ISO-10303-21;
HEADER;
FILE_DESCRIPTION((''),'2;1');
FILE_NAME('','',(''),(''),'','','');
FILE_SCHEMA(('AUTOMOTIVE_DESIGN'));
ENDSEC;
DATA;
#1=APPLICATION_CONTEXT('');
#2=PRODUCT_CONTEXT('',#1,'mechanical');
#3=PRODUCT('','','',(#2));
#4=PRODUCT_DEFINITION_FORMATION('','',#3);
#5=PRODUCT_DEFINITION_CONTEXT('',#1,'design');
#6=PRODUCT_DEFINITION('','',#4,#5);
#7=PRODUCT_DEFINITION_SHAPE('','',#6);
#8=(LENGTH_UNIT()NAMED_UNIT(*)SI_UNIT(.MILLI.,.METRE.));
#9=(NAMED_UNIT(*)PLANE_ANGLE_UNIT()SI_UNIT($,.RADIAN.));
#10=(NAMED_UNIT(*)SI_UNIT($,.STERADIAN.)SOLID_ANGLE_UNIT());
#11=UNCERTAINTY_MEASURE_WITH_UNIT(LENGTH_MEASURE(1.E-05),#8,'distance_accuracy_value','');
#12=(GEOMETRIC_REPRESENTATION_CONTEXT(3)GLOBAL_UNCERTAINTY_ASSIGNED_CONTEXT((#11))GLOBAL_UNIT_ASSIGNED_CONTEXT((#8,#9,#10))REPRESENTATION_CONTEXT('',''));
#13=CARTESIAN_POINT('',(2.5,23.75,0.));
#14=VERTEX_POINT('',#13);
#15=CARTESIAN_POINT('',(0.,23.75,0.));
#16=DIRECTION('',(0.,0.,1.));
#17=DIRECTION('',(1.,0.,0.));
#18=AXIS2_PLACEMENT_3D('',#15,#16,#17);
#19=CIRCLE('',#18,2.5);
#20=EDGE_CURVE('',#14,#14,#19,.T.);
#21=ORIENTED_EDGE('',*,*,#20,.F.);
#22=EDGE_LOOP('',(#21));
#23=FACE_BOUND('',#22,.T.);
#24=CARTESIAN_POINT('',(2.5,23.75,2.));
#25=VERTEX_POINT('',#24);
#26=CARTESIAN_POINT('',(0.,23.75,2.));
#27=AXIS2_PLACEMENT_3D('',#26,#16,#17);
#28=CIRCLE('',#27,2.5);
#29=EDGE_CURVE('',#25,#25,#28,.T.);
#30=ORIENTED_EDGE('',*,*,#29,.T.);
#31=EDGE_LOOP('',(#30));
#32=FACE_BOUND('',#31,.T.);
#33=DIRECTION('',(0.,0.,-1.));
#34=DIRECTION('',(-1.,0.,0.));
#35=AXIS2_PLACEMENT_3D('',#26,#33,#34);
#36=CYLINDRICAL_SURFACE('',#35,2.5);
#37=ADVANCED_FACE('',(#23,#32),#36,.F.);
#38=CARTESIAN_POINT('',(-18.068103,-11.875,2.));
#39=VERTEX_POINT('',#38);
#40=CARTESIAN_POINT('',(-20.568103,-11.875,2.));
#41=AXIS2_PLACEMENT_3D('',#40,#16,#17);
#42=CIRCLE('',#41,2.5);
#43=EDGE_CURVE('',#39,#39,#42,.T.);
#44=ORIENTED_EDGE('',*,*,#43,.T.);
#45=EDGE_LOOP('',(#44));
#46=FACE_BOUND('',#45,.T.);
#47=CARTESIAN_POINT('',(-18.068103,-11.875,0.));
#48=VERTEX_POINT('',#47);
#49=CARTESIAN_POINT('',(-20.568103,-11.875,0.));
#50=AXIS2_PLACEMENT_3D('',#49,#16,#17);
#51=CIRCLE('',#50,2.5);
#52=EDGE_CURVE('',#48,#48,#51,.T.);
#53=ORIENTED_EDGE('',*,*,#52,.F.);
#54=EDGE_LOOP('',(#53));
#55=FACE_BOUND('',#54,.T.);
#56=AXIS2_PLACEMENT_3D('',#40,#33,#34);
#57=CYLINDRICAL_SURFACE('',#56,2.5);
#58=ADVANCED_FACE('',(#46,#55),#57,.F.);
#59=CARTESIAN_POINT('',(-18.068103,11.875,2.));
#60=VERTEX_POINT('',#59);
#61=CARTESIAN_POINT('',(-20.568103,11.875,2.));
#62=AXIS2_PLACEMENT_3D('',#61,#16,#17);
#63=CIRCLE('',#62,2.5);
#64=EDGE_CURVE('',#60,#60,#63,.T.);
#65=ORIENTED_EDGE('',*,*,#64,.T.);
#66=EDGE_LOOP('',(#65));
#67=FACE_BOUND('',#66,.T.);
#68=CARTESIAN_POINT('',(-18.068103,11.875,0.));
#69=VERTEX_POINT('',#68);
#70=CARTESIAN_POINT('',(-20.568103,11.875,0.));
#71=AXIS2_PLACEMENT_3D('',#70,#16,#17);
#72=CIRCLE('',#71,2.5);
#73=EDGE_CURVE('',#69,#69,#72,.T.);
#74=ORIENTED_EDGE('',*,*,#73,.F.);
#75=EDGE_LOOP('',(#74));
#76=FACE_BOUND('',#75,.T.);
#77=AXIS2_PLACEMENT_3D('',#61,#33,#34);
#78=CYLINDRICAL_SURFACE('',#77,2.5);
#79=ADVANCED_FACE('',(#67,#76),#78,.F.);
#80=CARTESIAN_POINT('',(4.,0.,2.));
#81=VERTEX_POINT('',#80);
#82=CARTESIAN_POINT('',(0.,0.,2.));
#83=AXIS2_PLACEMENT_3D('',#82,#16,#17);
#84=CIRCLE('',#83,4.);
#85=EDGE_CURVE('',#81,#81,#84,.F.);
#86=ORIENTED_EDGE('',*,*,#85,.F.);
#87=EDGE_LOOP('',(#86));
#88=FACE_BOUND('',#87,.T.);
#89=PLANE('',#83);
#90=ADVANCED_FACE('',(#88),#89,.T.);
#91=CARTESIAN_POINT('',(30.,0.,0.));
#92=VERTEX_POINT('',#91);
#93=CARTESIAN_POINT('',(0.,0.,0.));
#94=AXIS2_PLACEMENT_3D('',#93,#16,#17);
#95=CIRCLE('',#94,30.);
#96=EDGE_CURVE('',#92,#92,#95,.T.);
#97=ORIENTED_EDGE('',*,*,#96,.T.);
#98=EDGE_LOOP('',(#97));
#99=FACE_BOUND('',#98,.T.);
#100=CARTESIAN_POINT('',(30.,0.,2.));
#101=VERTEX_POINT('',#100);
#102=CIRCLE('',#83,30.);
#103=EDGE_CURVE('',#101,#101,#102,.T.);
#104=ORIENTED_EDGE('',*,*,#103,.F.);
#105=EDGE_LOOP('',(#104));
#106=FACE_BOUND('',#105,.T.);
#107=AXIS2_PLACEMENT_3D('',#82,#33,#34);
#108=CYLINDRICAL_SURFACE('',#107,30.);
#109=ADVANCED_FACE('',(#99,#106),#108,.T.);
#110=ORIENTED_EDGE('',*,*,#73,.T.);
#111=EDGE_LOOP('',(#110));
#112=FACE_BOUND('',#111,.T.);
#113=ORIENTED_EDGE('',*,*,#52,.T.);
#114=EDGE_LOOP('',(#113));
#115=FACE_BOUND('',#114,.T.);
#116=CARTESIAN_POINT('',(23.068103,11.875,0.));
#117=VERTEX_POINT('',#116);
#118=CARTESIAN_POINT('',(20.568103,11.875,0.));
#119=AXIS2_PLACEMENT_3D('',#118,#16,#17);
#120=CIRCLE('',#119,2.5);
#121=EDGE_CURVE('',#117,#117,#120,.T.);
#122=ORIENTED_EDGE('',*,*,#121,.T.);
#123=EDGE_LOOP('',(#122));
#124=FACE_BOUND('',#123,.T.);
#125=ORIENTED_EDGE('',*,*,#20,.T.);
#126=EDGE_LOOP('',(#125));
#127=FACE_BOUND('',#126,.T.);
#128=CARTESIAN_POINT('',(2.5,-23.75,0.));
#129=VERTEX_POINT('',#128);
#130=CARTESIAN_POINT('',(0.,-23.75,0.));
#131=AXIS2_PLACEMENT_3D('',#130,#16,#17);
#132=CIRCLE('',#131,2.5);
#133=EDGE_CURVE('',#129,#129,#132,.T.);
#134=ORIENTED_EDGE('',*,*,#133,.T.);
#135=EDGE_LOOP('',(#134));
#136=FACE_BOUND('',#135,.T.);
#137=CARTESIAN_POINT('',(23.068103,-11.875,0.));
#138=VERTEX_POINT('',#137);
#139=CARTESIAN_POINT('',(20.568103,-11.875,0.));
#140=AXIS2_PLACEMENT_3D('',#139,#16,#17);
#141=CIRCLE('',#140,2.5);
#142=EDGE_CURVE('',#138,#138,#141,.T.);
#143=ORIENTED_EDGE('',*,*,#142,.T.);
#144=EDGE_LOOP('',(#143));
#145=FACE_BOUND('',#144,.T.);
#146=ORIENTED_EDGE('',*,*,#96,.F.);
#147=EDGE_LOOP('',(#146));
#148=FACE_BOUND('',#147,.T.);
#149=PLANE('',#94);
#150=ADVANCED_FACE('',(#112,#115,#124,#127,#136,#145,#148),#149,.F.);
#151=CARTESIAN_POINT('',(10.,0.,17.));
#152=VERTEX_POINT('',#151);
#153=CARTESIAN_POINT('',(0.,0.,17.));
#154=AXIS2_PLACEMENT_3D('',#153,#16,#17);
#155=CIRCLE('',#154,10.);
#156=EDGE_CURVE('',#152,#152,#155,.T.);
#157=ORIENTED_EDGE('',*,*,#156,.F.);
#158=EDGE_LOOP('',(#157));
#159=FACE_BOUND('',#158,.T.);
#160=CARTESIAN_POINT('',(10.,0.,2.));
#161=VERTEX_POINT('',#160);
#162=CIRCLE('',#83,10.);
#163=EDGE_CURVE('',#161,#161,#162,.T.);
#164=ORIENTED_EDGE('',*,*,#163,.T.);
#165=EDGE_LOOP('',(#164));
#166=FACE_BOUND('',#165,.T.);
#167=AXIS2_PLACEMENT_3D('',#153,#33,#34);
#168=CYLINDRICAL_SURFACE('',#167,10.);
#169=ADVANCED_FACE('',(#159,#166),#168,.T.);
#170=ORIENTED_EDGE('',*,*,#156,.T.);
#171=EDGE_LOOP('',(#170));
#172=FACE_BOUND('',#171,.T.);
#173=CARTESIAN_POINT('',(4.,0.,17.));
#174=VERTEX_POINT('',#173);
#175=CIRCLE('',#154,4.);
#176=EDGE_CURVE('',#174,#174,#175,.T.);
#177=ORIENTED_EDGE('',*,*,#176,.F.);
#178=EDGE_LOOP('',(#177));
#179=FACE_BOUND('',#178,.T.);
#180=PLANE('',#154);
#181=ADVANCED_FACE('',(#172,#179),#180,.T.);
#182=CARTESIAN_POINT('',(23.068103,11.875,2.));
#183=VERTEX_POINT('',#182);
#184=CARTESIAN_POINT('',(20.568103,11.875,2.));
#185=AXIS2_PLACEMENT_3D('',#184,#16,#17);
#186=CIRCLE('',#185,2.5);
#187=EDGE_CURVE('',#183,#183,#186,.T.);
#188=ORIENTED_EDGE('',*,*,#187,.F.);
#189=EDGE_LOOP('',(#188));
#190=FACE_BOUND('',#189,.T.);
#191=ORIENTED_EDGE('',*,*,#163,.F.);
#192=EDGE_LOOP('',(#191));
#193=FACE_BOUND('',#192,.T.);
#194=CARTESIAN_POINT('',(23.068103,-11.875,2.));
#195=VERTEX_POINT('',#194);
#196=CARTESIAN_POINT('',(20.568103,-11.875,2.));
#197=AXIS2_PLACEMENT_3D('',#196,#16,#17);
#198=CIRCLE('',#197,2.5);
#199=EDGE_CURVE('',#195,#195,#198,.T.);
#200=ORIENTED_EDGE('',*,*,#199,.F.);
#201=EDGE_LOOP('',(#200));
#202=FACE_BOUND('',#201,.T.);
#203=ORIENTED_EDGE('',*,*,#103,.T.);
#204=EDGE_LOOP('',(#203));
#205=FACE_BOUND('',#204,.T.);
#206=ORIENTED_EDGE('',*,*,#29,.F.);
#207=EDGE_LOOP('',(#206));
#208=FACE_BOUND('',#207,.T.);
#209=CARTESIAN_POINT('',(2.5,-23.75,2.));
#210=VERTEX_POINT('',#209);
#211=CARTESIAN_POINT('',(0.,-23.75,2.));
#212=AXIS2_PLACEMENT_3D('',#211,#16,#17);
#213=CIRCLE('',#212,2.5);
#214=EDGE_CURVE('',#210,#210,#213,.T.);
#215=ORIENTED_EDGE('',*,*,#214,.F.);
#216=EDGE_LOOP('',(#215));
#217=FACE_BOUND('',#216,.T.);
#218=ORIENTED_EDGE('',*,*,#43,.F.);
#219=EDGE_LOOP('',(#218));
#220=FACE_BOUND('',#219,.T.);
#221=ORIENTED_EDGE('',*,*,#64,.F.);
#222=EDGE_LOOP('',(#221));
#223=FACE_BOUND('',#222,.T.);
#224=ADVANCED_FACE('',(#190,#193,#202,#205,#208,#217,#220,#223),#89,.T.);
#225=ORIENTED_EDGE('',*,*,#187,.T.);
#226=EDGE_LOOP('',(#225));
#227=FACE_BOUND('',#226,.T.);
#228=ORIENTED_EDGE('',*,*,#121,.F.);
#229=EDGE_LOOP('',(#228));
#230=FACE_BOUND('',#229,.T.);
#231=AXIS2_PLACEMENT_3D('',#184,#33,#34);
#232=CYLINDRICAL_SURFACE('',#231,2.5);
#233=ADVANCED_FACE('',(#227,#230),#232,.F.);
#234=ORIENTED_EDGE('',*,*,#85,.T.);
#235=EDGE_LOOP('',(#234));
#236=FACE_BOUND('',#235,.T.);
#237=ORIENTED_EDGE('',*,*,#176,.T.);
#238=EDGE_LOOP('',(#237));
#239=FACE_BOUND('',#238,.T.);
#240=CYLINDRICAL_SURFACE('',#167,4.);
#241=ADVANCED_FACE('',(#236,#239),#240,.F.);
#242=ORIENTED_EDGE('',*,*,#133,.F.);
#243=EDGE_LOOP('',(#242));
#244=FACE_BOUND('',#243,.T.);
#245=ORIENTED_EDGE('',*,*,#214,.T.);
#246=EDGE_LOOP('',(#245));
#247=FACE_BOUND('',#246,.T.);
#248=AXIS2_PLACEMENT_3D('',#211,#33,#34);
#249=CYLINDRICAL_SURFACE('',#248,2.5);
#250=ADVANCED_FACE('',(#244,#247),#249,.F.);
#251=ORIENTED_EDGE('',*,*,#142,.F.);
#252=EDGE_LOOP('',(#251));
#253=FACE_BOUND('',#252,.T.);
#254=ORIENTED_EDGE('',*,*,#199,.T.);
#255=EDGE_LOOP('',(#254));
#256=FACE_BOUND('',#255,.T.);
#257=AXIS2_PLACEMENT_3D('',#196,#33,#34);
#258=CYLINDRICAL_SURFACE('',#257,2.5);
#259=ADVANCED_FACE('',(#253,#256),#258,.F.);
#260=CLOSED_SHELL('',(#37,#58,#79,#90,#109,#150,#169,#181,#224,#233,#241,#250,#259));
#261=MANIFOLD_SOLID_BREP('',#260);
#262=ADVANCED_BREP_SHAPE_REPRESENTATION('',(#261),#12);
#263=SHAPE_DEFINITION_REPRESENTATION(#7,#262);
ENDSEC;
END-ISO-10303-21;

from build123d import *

# Parameters (mm, degrees)
SKETCH1_R           = 30
SKETCH1_R_2         = 2.5
BOSS_EXTRUDE1_DEPTH = 2
SKETCH2_R           = 10
SKETCH2_R_2         = 4
BOSS_EXTRUDE2_DEPTH = 15


with BuildPart() as part:
    # Sketch1 → Boss-Extrude1 (new body)
    with BuildSketch(Plane.XY):
        Circle(SKETCH1_R)
        with Locations((0, 23.75)):
            Circle(SKETCH1_R_2, mode=Mode.SUBTRACT)
        with Locations((20.56810334, 11.875)):
            Circle(SKETCH1_R_2, mode=Mode.SUBTRACT)
        with Locations((20.56810334, -11.875)):
            Circle(SKETCH1_R_2, mode=Mode.SUBTRACT)
        with Locations((0, -23.75)):
            Circle(SKETCH1_R_2, mode=Mode.SUBTRACT)
        with Locations((-20.56810334, -11.875)):
            Circle(SKETCH1_R_2, mode=Mode.SUBTRACT)
        with Locations((-20.56810334, 11.875)):
            Circle(SKETCH1_R_2, mode=Mode.SUBTRACT)
    extrude(amount=BOSS_EXTRUDE1_DEPTH)

    # Sketch2 → Boss-Extrude2 (add)
    with BuildSketch(Plane.XY.offset(2)):
        Circle(SKETCH2_R)
        Circle(SKETCH2_R_2, mode=Mode.SUBTRACT)
    extrude(amount=BOSS_EXTRUDE2_DEPTH)


solid = part.part
